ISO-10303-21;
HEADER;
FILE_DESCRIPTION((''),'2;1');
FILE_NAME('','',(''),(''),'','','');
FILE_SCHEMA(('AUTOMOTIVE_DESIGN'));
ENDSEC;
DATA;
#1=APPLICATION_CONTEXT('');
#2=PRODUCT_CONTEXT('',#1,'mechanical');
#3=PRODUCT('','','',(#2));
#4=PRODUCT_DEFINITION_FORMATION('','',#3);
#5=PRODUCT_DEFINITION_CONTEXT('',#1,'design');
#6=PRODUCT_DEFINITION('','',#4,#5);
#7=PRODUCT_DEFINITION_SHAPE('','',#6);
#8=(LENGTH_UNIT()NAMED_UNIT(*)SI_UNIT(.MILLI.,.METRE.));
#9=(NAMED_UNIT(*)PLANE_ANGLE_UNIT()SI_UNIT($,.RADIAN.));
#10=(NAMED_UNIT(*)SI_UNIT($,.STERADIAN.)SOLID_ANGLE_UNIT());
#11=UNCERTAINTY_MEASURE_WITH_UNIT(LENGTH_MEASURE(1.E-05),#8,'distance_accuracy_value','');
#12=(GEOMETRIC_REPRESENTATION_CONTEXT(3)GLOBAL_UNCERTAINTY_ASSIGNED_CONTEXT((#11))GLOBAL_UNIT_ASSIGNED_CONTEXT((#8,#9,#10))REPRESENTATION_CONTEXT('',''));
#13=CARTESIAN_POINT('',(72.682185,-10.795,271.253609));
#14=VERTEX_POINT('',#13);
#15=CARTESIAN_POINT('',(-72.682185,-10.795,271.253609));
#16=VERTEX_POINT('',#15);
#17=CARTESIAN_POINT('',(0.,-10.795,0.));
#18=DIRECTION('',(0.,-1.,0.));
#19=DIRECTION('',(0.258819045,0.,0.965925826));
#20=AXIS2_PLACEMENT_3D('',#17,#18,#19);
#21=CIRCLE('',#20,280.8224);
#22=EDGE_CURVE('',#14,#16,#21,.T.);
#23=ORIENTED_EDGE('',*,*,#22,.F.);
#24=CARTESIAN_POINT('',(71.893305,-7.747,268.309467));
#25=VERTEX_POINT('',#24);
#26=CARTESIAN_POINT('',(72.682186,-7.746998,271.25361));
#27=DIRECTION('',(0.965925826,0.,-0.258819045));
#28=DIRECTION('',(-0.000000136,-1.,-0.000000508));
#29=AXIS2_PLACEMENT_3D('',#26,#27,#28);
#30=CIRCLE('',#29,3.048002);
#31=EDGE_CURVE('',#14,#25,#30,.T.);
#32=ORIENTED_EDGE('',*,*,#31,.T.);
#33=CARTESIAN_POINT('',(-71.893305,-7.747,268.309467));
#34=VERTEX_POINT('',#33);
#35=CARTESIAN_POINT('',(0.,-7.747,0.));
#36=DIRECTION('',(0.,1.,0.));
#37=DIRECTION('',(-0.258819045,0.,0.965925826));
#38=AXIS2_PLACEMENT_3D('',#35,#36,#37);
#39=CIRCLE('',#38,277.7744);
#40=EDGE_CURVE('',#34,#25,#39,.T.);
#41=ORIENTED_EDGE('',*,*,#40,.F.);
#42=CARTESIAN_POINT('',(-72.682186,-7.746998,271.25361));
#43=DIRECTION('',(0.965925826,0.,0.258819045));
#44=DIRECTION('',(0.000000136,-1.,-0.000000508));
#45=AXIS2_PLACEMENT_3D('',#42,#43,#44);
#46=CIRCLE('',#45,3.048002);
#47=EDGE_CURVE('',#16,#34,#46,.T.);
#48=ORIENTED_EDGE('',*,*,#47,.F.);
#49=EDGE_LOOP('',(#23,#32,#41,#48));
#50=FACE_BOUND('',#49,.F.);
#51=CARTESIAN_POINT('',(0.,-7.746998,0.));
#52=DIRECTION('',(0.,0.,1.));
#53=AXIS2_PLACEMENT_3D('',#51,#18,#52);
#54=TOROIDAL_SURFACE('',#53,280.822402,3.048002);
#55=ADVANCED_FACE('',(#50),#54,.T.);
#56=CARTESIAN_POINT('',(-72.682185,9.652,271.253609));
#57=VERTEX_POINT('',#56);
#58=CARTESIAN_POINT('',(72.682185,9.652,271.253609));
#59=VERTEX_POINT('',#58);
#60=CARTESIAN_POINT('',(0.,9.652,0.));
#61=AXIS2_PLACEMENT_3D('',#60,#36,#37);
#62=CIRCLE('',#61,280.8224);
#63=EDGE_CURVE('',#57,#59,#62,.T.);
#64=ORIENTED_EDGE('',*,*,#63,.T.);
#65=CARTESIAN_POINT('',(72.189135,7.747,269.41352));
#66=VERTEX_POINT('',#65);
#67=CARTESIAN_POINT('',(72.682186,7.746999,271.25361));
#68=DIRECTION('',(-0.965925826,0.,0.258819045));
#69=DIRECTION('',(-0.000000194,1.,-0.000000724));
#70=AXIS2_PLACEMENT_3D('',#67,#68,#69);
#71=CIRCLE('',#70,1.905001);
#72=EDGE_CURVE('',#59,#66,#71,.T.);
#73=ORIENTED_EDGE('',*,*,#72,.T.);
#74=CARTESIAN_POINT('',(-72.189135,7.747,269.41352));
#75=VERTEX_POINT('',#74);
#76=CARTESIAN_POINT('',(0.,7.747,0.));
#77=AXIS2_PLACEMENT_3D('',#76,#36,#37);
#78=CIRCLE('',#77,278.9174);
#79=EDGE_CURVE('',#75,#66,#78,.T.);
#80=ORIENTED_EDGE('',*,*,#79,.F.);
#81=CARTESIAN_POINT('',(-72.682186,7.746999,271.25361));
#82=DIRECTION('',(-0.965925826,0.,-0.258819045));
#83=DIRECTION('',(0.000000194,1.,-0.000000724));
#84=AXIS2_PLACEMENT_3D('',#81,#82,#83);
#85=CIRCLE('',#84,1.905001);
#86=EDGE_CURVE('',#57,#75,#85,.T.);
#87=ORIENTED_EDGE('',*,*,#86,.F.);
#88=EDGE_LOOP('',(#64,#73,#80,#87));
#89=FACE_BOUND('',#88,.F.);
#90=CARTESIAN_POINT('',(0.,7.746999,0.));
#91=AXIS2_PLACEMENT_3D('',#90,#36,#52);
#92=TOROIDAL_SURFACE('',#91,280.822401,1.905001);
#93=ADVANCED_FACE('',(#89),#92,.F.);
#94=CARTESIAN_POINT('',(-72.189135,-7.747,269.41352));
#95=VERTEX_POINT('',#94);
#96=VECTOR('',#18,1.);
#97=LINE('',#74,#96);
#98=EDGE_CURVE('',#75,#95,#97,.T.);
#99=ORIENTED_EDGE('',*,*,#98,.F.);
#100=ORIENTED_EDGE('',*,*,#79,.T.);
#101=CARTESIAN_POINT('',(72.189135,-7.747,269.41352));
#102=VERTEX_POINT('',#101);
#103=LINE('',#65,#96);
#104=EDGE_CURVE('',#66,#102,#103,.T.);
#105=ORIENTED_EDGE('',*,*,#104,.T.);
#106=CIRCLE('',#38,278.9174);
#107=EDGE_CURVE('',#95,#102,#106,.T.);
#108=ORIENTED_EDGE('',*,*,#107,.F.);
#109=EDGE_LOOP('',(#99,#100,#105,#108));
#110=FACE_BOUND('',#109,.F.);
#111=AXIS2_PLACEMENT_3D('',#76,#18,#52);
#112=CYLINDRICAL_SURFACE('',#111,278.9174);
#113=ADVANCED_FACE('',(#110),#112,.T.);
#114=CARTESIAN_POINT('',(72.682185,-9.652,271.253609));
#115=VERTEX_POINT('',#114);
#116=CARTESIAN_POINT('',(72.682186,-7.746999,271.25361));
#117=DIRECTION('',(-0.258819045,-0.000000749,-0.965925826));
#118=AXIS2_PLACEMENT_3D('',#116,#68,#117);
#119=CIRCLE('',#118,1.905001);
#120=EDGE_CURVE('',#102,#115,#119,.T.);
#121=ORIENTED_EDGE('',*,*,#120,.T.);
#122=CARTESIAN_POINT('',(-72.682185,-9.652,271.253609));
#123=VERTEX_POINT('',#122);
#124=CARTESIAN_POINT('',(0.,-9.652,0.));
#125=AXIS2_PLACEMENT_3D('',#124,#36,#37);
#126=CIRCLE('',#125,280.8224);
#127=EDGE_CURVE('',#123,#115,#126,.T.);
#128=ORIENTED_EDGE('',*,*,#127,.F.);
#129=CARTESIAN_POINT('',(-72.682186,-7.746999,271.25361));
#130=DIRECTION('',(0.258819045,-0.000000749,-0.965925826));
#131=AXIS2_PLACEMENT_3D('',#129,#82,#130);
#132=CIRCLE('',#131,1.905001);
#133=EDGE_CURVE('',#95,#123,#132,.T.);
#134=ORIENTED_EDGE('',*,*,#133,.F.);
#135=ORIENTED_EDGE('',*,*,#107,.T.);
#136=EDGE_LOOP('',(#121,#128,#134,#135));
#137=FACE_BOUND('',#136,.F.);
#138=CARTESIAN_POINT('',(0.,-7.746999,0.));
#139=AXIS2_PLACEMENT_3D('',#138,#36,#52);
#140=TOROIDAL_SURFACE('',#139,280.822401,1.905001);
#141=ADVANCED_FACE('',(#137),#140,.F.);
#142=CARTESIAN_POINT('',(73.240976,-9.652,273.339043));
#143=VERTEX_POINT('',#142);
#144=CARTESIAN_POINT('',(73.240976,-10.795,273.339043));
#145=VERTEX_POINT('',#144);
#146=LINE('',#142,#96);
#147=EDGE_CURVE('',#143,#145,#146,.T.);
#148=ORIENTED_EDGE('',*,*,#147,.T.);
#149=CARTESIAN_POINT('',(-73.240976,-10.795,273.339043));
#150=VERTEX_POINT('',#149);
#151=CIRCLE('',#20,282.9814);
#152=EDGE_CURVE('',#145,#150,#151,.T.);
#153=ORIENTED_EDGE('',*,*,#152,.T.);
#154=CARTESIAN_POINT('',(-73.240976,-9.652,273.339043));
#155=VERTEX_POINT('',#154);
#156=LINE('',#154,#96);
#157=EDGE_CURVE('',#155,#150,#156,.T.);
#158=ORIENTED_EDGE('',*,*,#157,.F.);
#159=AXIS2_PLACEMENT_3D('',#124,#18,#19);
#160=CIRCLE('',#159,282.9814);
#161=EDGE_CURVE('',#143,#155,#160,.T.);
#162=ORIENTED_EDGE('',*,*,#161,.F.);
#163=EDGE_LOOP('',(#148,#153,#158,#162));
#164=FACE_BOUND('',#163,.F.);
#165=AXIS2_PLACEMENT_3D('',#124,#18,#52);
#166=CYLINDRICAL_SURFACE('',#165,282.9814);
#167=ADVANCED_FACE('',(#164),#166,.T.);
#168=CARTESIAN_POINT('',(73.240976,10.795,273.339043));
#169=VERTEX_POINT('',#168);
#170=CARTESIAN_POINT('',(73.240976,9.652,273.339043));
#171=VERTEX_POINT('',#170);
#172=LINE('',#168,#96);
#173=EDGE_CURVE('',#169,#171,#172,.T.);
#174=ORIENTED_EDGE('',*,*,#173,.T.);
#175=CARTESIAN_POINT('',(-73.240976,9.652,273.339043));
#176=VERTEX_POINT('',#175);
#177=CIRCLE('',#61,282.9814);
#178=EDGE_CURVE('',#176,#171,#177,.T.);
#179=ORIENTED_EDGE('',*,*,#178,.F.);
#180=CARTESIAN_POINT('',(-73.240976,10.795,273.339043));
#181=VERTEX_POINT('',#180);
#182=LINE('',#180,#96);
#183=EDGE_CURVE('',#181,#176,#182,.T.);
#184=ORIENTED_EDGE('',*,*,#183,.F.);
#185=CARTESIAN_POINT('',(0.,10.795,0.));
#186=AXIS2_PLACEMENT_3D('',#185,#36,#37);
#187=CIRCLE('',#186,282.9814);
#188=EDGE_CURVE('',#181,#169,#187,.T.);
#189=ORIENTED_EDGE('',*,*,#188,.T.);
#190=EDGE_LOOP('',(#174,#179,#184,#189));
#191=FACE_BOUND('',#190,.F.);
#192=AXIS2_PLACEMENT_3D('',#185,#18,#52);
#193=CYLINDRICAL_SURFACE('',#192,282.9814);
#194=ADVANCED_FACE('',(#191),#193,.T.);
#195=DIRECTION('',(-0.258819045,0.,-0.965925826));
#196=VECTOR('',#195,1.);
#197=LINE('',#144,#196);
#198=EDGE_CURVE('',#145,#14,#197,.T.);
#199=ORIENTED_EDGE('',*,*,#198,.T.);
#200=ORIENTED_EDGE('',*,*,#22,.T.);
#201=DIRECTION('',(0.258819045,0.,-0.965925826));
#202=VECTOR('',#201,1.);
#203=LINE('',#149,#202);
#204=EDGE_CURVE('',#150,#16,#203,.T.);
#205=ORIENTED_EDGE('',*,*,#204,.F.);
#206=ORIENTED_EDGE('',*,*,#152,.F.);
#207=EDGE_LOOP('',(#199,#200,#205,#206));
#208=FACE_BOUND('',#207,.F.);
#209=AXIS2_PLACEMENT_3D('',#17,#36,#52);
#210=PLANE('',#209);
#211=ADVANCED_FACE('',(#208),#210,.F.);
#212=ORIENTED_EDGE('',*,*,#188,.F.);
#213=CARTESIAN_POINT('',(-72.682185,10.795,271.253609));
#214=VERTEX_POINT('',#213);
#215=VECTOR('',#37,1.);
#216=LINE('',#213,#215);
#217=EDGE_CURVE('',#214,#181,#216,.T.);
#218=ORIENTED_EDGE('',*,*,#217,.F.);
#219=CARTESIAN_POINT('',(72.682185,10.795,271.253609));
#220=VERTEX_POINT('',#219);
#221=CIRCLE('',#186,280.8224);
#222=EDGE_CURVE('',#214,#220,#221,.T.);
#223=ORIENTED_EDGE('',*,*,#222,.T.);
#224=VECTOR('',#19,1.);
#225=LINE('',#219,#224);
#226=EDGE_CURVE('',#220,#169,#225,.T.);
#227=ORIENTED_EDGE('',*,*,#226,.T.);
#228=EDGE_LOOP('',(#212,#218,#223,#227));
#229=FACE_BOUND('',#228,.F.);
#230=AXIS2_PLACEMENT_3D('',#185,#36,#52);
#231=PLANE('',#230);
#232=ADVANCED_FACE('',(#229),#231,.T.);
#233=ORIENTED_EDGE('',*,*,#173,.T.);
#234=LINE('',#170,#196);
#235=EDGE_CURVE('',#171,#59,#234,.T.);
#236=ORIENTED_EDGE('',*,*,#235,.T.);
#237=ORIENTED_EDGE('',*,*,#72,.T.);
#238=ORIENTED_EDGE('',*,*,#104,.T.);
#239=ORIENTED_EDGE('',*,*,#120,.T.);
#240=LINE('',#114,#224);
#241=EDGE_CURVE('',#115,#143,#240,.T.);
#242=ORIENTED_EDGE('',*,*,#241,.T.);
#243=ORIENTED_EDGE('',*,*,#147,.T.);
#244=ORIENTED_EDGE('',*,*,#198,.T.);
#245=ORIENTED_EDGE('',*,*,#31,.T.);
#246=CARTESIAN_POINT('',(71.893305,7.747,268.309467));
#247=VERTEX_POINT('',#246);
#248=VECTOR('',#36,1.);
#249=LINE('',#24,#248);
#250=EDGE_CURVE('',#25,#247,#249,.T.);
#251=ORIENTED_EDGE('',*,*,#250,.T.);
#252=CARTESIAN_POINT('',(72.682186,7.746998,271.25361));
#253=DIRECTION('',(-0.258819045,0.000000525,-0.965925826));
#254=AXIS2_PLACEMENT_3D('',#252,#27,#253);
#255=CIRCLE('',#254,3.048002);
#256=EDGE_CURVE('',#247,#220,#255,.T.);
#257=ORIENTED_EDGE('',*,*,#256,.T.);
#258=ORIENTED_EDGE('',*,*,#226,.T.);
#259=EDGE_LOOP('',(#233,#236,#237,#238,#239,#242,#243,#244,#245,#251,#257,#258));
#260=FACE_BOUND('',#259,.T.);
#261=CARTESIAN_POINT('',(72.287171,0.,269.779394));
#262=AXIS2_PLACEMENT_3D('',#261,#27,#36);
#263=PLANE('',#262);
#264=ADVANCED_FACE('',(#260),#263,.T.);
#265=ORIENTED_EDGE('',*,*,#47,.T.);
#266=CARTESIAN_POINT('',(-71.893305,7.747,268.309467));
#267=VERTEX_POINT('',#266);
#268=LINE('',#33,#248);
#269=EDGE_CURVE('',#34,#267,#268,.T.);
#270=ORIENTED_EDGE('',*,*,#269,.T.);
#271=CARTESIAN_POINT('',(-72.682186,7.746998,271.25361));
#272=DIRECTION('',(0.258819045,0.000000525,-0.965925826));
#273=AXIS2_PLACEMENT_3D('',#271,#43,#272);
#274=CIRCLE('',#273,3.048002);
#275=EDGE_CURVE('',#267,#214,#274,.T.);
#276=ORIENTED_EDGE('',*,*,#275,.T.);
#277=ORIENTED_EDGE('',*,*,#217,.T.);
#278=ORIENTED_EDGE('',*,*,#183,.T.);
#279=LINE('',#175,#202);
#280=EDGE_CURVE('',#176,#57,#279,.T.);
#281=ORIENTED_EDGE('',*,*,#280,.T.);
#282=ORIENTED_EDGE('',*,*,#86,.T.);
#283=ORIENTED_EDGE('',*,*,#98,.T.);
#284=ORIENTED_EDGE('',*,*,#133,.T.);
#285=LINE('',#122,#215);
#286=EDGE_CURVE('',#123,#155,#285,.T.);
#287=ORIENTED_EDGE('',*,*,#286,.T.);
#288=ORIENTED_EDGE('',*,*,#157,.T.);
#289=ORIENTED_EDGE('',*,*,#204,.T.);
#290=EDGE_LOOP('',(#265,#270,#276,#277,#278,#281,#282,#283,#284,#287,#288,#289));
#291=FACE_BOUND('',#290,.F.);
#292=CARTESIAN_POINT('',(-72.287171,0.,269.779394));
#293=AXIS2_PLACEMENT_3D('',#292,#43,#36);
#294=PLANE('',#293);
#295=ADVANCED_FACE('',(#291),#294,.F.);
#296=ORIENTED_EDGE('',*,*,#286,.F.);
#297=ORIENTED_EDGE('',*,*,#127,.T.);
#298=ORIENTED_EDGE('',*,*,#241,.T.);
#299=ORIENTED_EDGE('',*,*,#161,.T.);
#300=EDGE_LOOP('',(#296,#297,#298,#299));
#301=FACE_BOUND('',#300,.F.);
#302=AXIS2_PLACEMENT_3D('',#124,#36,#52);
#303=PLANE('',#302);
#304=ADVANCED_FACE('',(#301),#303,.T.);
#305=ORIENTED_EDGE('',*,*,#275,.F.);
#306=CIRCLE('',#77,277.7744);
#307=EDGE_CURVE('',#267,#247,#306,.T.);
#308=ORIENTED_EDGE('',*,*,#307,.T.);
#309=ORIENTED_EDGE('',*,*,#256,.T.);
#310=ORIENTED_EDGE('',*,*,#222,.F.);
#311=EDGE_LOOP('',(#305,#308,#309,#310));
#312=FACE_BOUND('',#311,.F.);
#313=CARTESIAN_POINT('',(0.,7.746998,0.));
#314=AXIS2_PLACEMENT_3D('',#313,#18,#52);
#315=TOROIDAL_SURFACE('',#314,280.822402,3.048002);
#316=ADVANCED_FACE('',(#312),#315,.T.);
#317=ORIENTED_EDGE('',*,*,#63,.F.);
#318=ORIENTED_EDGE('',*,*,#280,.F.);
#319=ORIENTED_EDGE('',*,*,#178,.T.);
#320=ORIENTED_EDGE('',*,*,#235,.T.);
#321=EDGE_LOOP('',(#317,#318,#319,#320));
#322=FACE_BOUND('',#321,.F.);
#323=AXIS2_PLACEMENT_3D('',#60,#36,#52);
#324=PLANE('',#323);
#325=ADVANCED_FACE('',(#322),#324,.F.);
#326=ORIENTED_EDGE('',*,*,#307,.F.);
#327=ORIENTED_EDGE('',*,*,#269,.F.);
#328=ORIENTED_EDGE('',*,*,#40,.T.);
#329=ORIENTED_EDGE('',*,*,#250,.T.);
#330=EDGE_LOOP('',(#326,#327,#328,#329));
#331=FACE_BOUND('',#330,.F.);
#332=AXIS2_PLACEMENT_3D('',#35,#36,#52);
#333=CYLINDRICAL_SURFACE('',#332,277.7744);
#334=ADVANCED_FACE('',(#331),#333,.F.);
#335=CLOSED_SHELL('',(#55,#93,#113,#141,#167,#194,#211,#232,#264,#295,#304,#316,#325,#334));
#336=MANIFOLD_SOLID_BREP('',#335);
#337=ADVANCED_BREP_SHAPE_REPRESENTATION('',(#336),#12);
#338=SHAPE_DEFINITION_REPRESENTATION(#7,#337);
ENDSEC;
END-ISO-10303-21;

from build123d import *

# Parameters (mm, degrees)
F3_ANGLE = 30


with BuildPart() as f3:
    # F1 (on Right) → F3 (revolve, symmetric)
    with BuildSketch(Plane.YZ) as f3_sk:
        with BuildLine():
            ThreePointArc((-10.795, 280.8224), (-9.902261, 278.667139), (-7.747, 277.7744))
            Line((-7.747, 277.7744), (7.747, 277.7744))
            ThreePointArc((7.747, 277.7744), (9.902261, 278.667139), (10.795, 280.8224))
            Line((10.795, 280.8224), (10.795, 282.9814))
            Line((10.795, 282.9814), (9.652, 282.9814))
            Line((9.652, 282.9814), (9.652, 280.8224))
            ThreePointArc((9.652, 280.8224), (9.094038, 279.475362), (7.747, 278.9174))
            Line((7.747, 278.9174), (-7.747, 278.9174))
            ThreePointArc((-7.747, 278.9174), (-9.094038, 279.475362), (-9.652, 280.8224))
            Line((-9.652, 280.8224), (-9.652, 282.9814))
            Line((-9.652, 282.9814), (-10.795, 282.9814))
            Line((-10.795, 282.9814), (-10.795, 280.8224))
        make_face()
    revolve(axis=Axis((0, -102.103345, 0), (0, -1, 0)), revolution_arc=F3_ANGLE / 2)
    revolve(f3_sk.sketch, axis=Axis((0, -102.103345, 0), (0, 1, 0)), revolution_arc=F3_ANGLE / 2)


solid = f3.part
